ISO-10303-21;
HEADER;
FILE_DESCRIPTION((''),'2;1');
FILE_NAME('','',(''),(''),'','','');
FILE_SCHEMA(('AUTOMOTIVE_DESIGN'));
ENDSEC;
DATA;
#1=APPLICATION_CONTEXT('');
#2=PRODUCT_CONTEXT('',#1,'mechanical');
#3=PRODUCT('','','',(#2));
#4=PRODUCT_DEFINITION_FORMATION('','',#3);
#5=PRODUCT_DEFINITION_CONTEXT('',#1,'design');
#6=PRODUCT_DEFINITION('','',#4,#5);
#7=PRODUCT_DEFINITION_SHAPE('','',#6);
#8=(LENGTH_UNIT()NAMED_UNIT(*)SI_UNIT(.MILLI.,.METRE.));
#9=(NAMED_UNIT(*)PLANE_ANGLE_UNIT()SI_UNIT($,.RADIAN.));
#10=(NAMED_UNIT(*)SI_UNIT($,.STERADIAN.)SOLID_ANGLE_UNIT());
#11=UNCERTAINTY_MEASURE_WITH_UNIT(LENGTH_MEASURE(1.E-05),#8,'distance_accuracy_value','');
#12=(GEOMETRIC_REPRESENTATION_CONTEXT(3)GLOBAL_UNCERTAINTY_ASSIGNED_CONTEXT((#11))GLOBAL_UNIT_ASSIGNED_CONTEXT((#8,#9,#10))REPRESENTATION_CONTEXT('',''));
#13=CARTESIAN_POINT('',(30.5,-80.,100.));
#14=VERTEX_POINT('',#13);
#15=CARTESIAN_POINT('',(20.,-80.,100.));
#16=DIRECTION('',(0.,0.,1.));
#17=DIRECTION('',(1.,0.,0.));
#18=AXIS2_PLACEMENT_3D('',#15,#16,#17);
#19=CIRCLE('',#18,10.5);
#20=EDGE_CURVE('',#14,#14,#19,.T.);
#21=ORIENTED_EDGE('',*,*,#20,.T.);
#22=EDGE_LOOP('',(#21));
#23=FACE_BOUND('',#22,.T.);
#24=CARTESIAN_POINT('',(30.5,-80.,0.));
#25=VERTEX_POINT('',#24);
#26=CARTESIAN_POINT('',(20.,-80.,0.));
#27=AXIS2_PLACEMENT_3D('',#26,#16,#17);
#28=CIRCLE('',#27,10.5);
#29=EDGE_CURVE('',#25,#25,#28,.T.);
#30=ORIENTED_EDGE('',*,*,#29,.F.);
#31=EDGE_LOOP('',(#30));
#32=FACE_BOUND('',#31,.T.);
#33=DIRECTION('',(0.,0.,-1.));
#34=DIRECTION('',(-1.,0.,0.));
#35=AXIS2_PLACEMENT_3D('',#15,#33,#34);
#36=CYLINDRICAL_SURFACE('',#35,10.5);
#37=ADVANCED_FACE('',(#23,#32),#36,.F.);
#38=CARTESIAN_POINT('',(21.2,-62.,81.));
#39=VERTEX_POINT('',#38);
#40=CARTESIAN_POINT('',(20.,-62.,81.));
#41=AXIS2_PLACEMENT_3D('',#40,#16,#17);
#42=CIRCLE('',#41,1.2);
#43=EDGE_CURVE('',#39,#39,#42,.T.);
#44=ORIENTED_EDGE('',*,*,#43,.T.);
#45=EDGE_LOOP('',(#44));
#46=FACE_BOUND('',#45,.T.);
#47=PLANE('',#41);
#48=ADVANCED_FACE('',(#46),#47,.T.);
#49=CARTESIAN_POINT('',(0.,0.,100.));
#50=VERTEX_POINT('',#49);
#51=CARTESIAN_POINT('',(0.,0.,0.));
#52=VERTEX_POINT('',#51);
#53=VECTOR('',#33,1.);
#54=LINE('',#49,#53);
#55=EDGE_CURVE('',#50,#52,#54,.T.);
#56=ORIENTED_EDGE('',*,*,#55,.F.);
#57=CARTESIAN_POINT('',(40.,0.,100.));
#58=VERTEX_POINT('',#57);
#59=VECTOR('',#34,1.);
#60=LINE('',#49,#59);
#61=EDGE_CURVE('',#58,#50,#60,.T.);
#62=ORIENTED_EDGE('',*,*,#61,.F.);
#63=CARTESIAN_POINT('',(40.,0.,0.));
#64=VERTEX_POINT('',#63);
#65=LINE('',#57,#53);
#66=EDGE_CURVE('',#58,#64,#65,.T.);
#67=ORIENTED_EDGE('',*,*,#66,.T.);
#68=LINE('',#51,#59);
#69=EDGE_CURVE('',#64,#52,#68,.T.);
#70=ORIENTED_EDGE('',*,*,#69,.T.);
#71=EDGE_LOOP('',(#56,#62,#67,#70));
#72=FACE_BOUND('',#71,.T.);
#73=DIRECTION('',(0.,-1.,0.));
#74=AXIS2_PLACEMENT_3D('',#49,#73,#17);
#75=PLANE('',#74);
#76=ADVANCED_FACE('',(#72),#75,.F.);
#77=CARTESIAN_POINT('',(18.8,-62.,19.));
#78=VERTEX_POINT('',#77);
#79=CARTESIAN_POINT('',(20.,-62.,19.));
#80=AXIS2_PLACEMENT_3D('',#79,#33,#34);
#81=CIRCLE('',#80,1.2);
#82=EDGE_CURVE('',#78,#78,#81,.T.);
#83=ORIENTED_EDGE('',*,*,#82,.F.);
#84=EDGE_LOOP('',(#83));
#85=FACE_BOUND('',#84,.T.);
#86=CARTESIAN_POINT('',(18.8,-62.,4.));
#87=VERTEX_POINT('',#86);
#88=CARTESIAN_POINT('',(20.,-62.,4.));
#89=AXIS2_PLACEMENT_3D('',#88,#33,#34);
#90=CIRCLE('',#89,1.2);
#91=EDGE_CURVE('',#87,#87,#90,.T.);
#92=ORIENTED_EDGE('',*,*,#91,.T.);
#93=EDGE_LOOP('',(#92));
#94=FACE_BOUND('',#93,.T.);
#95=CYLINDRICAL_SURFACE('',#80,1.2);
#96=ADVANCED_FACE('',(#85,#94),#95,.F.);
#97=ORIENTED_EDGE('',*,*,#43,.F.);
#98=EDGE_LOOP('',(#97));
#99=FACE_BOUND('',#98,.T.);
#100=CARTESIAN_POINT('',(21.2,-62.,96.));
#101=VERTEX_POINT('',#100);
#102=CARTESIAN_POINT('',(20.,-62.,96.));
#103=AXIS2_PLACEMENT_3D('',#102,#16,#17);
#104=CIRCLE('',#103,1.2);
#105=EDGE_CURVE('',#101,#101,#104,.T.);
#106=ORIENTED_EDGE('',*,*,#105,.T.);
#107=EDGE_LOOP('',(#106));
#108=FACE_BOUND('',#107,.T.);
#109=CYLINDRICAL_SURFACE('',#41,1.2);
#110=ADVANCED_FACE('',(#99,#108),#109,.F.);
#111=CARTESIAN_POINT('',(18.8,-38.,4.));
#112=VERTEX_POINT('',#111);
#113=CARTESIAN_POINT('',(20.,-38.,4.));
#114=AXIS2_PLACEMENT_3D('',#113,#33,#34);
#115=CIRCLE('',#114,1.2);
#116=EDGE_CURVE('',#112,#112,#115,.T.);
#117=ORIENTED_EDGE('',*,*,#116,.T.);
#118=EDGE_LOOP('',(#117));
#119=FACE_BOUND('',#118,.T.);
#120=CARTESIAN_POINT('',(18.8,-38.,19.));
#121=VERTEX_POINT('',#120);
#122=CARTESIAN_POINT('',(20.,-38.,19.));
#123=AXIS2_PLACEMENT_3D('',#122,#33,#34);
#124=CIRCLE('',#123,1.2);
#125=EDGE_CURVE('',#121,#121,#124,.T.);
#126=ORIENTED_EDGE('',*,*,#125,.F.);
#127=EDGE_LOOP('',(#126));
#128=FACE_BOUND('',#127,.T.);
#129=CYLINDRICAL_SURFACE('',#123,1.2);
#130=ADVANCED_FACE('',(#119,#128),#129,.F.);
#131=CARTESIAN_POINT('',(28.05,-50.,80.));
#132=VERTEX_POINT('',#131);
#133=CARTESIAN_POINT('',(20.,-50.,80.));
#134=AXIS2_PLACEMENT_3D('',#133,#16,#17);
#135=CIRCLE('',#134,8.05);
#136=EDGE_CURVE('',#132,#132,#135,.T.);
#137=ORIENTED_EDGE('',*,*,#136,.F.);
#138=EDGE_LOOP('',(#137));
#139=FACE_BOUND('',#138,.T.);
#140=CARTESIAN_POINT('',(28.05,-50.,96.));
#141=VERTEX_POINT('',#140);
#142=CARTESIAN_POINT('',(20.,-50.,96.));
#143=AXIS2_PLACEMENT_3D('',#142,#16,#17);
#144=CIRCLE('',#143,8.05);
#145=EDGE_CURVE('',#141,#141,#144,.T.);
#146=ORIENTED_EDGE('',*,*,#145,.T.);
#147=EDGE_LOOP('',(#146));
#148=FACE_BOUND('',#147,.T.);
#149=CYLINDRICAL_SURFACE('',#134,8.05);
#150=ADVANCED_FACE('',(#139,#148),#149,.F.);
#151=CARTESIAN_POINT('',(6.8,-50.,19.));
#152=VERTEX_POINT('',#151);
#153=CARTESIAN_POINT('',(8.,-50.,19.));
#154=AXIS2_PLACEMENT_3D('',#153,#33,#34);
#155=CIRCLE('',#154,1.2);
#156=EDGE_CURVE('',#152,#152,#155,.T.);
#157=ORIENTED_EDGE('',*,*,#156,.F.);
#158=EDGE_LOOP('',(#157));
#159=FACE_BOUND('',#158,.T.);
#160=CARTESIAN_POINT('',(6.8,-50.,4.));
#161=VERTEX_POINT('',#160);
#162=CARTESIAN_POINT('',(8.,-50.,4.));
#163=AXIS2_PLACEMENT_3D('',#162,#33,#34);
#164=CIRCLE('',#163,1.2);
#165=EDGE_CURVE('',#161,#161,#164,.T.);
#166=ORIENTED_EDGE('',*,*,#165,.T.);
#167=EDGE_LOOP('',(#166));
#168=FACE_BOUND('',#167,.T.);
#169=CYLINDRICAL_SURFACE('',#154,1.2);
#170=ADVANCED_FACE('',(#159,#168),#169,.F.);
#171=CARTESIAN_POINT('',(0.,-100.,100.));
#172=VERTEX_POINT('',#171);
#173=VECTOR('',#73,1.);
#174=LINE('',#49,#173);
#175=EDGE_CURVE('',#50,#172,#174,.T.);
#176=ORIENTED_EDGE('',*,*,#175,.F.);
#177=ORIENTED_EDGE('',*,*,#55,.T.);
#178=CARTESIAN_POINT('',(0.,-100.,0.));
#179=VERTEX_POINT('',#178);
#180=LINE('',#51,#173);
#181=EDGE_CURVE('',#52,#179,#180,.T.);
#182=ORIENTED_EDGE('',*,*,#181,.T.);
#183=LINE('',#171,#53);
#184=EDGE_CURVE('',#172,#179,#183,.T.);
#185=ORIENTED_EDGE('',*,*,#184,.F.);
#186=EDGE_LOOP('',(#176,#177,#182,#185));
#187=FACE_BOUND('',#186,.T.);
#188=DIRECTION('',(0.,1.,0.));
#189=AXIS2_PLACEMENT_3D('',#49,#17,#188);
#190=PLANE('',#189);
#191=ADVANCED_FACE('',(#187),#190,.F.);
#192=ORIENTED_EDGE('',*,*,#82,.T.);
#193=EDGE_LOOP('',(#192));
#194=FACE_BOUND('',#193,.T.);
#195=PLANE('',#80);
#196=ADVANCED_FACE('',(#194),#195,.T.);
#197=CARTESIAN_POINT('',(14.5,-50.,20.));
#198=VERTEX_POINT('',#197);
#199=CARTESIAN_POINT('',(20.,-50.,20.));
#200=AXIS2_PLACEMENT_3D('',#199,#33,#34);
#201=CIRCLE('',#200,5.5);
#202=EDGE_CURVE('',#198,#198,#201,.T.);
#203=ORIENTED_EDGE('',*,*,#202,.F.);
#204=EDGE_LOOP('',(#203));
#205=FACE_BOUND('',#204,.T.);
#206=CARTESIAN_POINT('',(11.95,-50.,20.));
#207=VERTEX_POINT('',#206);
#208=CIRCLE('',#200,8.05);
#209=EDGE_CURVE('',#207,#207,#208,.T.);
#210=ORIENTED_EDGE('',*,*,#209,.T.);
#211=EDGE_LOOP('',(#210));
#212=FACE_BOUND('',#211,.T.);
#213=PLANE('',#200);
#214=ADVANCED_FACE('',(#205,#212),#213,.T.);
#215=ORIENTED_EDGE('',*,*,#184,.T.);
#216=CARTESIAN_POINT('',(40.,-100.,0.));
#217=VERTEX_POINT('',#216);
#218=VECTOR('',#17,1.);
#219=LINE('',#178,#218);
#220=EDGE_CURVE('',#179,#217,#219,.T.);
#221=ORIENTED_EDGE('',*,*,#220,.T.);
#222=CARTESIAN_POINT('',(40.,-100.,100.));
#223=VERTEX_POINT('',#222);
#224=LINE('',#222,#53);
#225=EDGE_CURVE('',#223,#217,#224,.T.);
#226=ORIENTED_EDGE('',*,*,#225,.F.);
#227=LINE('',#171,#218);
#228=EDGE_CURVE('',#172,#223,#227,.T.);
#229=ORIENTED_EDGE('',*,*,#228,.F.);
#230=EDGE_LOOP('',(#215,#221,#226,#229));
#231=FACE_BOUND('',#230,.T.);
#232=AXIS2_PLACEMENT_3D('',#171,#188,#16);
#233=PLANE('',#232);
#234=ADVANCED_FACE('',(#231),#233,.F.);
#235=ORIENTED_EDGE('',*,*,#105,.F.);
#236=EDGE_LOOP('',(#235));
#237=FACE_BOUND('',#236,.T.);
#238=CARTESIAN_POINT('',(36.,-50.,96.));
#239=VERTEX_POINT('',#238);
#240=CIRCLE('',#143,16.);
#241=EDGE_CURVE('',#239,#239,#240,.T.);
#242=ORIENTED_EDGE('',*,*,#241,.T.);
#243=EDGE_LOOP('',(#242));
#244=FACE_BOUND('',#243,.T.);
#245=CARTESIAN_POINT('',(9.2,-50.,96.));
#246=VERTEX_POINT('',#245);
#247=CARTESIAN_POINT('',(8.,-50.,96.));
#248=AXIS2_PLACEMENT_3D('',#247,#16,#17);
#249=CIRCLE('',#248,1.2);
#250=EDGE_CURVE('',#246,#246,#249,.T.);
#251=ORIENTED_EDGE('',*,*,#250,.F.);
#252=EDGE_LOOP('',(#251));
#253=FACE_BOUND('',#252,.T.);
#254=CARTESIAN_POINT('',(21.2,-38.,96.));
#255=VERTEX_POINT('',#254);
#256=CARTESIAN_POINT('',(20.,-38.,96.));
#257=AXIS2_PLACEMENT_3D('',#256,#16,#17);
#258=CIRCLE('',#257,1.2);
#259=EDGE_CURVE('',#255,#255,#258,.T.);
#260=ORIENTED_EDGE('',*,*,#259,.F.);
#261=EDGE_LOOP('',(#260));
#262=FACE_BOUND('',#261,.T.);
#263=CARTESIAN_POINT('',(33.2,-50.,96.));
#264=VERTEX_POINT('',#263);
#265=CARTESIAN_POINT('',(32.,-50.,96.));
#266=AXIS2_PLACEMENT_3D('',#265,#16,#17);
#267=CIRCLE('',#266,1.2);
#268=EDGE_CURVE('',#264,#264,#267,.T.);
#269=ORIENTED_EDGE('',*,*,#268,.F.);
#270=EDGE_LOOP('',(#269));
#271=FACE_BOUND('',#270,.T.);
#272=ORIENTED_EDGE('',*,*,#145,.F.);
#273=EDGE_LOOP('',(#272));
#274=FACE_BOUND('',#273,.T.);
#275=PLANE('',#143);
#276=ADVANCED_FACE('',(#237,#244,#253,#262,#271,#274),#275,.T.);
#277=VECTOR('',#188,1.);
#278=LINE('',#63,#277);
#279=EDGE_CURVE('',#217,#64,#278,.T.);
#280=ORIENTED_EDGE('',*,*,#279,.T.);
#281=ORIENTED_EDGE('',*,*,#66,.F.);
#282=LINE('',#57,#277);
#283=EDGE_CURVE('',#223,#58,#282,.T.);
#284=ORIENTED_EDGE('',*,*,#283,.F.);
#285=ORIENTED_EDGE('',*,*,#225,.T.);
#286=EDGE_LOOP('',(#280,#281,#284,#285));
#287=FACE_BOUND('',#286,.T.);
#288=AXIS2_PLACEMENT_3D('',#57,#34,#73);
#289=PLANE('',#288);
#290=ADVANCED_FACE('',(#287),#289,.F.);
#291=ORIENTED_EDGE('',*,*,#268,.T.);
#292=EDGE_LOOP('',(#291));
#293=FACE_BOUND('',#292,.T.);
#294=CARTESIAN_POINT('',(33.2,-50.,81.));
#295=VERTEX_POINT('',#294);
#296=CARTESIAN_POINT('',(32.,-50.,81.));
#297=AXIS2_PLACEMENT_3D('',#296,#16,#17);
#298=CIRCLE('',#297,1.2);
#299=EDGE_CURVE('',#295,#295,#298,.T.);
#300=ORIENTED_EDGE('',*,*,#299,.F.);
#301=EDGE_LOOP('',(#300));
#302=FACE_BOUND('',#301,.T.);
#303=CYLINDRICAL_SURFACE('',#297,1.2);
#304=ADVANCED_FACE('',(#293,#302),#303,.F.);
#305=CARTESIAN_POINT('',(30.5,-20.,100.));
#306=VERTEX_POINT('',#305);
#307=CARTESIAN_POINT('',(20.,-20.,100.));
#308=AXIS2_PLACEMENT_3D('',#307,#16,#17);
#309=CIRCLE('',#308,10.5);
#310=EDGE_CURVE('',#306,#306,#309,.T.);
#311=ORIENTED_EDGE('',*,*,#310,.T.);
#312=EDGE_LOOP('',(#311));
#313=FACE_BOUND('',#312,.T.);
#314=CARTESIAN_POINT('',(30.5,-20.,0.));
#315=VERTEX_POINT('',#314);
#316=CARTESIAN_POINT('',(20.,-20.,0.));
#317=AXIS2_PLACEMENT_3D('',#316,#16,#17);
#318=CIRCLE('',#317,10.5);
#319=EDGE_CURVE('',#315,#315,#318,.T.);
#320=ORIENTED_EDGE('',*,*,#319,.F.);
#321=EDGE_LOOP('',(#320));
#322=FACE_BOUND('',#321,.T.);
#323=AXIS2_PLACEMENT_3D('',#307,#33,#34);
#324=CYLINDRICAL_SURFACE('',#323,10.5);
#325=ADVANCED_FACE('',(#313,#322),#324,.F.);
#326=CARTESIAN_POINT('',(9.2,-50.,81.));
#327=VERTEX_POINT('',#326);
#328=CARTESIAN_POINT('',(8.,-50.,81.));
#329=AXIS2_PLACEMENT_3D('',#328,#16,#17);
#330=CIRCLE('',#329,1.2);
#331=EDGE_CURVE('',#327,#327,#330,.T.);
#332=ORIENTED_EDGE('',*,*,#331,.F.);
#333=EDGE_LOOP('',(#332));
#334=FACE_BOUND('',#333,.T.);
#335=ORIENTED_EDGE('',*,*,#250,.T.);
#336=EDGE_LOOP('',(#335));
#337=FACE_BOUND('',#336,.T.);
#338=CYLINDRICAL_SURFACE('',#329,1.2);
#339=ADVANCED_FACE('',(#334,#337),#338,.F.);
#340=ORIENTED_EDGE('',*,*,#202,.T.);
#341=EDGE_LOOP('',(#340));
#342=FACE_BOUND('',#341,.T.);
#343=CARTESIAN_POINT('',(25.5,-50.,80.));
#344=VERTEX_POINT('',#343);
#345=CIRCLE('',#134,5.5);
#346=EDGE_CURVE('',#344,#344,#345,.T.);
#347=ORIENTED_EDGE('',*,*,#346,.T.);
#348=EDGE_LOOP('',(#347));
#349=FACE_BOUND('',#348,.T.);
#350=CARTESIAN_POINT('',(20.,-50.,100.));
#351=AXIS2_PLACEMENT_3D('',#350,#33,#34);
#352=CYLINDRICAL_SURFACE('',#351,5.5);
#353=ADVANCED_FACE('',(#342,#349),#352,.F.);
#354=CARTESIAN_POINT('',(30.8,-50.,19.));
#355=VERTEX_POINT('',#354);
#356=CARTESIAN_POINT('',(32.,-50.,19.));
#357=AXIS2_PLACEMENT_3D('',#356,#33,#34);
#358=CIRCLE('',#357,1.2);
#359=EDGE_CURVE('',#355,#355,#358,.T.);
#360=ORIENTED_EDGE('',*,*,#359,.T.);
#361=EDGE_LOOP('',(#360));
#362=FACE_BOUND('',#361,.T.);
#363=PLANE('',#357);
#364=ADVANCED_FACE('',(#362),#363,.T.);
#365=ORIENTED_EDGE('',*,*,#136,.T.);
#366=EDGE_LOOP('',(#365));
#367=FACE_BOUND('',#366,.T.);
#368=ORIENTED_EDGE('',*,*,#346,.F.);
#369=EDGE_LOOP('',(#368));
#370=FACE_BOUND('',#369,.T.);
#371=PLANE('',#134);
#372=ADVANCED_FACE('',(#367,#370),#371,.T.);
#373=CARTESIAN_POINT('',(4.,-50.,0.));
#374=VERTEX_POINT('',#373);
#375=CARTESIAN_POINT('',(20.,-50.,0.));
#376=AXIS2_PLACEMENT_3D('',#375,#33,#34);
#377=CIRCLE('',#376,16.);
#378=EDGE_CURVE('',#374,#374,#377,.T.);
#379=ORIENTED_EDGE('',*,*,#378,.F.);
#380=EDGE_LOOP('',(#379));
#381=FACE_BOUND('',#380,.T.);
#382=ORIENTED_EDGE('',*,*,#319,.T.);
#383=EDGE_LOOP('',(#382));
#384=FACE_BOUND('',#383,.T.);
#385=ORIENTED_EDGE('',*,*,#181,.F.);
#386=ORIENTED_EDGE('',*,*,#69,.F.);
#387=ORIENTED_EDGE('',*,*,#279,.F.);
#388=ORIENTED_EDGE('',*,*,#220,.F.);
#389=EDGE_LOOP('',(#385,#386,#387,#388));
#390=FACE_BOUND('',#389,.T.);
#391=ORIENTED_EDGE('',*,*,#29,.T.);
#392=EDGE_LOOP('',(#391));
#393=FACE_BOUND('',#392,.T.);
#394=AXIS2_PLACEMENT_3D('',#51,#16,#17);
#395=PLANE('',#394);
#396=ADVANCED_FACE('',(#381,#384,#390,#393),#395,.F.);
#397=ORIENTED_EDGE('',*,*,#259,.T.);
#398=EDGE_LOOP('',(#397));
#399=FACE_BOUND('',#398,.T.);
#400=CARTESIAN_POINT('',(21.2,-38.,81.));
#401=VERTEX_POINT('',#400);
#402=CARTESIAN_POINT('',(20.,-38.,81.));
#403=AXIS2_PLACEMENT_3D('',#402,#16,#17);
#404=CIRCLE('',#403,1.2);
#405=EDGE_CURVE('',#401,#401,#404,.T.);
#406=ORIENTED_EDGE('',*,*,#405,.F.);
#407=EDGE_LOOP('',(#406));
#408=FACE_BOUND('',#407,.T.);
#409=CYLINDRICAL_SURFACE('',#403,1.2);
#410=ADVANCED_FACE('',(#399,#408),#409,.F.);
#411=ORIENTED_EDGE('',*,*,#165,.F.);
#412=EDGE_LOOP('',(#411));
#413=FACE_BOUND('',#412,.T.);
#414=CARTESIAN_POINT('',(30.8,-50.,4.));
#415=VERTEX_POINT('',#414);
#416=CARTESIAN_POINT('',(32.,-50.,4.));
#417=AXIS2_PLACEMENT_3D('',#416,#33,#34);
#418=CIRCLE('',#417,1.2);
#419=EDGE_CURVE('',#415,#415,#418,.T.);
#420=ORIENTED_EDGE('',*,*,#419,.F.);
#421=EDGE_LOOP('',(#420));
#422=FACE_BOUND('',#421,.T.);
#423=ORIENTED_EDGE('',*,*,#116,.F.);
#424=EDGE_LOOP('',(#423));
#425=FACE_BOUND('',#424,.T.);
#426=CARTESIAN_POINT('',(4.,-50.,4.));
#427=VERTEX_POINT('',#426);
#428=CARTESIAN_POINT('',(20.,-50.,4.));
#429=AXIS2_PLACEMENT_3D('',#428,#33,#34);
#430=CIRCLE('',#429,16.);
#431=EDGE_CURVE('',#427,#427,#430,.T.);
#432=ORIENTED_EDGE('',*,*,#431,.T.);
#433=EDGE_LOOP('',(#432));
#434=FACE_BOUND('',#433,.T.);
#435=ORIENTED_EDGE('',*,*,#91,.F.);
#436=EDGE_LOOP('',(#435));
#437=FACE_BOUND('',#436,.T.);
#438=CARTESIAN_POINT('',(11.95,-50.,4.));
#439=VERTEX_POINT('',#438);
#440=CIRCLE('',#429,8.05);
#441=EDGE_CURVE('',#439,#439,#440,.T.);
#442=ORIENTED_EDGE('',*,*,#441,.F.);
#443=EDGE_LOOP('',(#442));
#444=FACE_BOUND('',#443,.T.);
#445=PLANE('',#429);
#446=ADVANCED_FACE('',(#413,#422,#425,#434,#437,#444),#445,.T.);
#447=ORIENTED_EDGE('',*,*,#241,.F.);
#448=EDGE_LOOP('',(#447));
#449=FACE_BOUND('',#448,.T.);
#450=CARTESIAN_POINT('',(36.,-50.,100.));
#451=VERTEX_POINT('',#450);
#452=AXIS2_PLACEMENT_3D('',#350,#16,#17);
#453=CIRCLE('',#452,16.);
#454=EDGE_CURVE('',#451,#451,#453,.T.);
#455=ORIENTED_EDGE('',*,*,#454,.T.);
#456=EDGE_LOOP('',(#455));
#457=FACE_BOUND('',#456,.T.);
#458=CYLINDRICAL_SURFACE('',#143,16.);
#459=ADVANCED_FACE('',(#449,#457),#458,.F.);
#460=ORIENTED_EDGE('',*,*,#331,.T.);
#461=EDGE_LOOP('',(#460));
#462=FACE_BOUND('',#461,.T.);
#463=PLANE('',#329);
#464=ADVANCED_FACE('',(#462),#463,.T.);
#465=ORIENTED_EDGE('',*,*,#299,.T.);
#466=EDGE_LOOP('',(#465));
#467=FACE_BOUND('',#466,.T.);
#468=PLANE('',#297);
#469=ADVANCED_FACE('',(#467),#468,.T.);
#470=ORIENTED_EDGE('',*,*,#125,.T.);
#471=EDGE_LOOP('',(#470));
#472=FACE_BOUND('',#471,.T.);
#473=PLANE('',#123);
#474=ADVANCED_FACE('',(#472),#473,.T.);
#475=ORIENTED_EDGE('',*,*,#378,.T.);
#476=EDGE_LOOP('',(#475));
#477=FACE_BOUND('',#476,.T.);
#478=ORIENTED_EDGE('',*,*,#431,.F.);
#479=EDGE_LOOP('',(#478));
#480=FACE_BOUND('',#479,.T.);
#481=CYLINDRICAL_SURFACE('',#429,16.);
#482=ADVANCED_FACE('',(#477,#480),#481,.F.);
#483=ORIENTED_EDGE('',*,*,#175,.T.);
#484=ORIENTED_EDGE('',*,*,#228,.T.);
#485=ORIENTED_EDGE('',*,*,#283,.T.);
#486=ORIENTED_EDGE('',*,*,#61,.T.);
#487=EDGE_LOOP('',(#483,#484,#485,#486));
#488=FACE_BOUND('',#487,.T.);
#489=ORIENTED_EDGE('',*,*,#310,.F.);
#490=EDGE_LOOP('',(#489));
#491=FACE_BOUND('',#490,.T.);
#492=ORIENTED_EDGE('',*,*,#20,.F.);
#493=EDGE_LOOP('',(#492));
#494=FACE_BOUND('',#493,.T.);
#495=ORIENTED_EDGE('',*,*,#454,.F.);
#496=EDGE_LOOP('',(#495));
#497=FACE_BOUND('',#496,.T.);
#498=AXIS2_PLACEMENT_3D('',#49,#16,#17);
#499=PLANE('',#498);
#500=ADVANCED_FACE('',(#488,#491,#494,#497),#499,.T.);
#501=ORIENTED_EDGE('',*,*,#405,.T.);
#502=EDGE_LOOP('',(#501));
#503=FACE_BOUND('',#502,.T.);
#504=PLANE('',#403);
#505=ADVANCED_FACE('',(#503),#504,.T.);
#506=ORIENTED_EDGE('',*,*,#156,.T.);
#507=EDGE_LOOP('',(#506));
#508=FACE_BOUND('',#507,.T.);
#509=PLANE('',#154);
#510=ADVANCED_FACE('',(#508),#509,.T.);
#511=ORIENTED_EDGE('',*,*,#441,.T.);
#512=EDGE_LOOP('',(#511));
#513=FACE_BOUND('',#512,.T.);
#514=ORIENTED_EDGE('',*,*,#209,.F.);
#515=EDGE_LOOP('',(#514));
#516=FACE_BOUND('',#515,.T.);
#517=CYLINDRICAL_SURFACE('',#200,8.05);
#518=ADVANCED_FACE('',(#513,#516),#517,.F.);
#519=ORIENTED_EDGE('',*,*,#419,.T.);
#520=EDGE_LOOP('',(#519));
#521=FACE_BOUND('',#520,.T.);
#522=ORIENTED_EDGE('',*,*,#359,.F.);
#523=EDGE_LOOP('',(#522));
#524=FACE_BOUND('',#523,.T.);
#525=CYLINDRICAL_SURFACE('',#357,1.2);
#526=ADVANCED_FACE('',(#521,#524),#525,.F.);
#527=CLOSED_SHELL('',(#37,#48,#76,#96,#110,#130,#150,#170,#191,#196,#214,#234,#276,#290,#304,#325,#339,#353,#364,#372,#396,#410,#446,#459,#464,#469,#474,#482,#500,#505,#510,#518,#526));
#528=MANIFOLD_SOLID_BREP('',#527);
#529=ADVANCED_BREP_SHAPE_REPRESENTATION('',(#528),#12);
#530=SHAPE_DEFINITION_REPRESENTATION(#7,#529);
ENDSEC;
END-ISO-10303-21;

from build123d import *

# Parameters (mm, degrees)
SKETCH2_W           = 40
SKETCH2_H           = 100
SKETCH2_R           = 5.5
SKETCH2_R_2         = 10.5
BOSS_EXTRUDE1_DEPTH = 100
SKETCH3_R           = 16
CUT_EXTRUDE1_DEPTH  = 4
SKETCH4_R           = 8.05
CUT_EXTRUDE2_DEPTH  = 16
SKETCH5_R           = 1.2
CUT_EXTRUDE3_DEPTH  = 15
CUT_EXTRUDE4_START  = -4
SKETCH6_R           = 16
CUT_EXTRUDE4_DEPTH  = 4
CUT_EXTRUDE5_START  = -16
SKETCH7_R           = 8.05
CUT_EXTRUDE5_DEPTH  = 16
CUT_EXTRUDE6_START  = -15
SKETCH8_R           = 1.2
CUT_EXTRUDE6_DEPTH  = 15


with BuildPart() as part:
    # Sketch2 → Boss-Extrude1 (new body)
    with BuildSketch(Plane.XY):
        with Locations((20, -50)):
            Rectangle(SKETCH2_W, SKETCH2_H)
        with Locations((20, -50)):
            Circle(SKETCH2_R, mode=Mode.SUBTRACT)
        with Locations((20, -20)):
            Circle(SKETCH2_R_2, mode=Mode.SUBTRACT)
        with Locations((20, -80)):
            Circle(SKETCH2_R_2, mode=Mode.SUBTRACT)
    extrude(amount=BOSS_EXTRUDE1_DEPTH)

    # Sketch3 → Cut-Extrude1 (cut)
    with BuildSketch(Plane.XY.offset(100)):
        with Locations((20, -50)):
            Circle(SKETCH3_R)
    extrude(amount=-CUT_EXTRUDE1_DEPTH, mode=Mode.SUBTRACT)

    # Sketch4 → Cut-Extrude2 (cut)
    with BuildSketch(Plane.XY.offset(96)):
        with Locations((20, -50)):
            Circle(SKETCH4_R)
    extrude(amount=-CUT_EXTRUDE2_DEPTH, mode=Mode.SUBTRACT)

    # Sketch5 → Cut-Extrude3 (cut)
    with BuildSketch(Plane.XY.offset(96)):
        with Locations((20, -38)):
            Circle(SKETCH5_R)
        with Locations((8, -50)):
            Circle(SKETCH5_R)
        with Locations((32, -50)):
            Circle(SKETCH5_R)
        with Locations((20, -62)):
            Circle(SKETCH5_R)
    extrude(amount=-CUT_EXTRUDE3_DEPTH, mode=Mode.SUBTRACT)

    # Sketch6 → Cut-Extrude4 (cut)
    with BuildSketch(Plane(origin=(0, 0, 0), x_dir=(-1, 0, 0), z_dir=(0, 0, -1)).offset(CUT_EXTRUDE4_START)):
        with Locations(Location((-20, -50, 0), (0, 0, 180))):
            Circle(SKETCH6_R)
    extrude(amount=CUT_EXTRUDE4_DEPTH, mode=Mode.SUBTRACT)

    # Sketch7 → Cut-Extrude5 (cut)
    with BuildSketch(Plane(origin=(0, 0, 4), x_dir=(-1, 0, 0), z_dir=(0, 0, -1)).offset(CUT_EXTRUDE5_START)):
        with Locations(Location((-20, -50, 0), (0, 0, 180))):
            Circle(SKETCH7_R)
    extrude(amount=CUT_EXTRUDE5_DEPTH, mode=Mode.SUBTRACT)

    # Sketch8 → Cut-Extrude6 (cut)
    with BuildSketch(Plane(origin=(0, 0, 4), x_dir=(-1, 0, 0), z_dir=(0, 0, -1)).offset(CUT_EXTRUDE6_START)):
        with Locations(Location((-20, -62, 0), (0, 0, 180))):
            Circle(SKETCH8_R)
        with Locations(Location((-32, -50, 0), (0, 0, 180))):
            Circle(SKETCH8_R)
        with Locations(Location((-8, -50, 0), (0, 0, 180))):
            Circle(SKETCH8_R)
        with Locations(Location((-20, -38, 0), (0, 0, 180))):
            Circle(SKETCH8_R)
    extrude(amount=CUT_EXTRUDE6_DEPTH, mode=Mode.SUBTRACT)


solid = part.part
